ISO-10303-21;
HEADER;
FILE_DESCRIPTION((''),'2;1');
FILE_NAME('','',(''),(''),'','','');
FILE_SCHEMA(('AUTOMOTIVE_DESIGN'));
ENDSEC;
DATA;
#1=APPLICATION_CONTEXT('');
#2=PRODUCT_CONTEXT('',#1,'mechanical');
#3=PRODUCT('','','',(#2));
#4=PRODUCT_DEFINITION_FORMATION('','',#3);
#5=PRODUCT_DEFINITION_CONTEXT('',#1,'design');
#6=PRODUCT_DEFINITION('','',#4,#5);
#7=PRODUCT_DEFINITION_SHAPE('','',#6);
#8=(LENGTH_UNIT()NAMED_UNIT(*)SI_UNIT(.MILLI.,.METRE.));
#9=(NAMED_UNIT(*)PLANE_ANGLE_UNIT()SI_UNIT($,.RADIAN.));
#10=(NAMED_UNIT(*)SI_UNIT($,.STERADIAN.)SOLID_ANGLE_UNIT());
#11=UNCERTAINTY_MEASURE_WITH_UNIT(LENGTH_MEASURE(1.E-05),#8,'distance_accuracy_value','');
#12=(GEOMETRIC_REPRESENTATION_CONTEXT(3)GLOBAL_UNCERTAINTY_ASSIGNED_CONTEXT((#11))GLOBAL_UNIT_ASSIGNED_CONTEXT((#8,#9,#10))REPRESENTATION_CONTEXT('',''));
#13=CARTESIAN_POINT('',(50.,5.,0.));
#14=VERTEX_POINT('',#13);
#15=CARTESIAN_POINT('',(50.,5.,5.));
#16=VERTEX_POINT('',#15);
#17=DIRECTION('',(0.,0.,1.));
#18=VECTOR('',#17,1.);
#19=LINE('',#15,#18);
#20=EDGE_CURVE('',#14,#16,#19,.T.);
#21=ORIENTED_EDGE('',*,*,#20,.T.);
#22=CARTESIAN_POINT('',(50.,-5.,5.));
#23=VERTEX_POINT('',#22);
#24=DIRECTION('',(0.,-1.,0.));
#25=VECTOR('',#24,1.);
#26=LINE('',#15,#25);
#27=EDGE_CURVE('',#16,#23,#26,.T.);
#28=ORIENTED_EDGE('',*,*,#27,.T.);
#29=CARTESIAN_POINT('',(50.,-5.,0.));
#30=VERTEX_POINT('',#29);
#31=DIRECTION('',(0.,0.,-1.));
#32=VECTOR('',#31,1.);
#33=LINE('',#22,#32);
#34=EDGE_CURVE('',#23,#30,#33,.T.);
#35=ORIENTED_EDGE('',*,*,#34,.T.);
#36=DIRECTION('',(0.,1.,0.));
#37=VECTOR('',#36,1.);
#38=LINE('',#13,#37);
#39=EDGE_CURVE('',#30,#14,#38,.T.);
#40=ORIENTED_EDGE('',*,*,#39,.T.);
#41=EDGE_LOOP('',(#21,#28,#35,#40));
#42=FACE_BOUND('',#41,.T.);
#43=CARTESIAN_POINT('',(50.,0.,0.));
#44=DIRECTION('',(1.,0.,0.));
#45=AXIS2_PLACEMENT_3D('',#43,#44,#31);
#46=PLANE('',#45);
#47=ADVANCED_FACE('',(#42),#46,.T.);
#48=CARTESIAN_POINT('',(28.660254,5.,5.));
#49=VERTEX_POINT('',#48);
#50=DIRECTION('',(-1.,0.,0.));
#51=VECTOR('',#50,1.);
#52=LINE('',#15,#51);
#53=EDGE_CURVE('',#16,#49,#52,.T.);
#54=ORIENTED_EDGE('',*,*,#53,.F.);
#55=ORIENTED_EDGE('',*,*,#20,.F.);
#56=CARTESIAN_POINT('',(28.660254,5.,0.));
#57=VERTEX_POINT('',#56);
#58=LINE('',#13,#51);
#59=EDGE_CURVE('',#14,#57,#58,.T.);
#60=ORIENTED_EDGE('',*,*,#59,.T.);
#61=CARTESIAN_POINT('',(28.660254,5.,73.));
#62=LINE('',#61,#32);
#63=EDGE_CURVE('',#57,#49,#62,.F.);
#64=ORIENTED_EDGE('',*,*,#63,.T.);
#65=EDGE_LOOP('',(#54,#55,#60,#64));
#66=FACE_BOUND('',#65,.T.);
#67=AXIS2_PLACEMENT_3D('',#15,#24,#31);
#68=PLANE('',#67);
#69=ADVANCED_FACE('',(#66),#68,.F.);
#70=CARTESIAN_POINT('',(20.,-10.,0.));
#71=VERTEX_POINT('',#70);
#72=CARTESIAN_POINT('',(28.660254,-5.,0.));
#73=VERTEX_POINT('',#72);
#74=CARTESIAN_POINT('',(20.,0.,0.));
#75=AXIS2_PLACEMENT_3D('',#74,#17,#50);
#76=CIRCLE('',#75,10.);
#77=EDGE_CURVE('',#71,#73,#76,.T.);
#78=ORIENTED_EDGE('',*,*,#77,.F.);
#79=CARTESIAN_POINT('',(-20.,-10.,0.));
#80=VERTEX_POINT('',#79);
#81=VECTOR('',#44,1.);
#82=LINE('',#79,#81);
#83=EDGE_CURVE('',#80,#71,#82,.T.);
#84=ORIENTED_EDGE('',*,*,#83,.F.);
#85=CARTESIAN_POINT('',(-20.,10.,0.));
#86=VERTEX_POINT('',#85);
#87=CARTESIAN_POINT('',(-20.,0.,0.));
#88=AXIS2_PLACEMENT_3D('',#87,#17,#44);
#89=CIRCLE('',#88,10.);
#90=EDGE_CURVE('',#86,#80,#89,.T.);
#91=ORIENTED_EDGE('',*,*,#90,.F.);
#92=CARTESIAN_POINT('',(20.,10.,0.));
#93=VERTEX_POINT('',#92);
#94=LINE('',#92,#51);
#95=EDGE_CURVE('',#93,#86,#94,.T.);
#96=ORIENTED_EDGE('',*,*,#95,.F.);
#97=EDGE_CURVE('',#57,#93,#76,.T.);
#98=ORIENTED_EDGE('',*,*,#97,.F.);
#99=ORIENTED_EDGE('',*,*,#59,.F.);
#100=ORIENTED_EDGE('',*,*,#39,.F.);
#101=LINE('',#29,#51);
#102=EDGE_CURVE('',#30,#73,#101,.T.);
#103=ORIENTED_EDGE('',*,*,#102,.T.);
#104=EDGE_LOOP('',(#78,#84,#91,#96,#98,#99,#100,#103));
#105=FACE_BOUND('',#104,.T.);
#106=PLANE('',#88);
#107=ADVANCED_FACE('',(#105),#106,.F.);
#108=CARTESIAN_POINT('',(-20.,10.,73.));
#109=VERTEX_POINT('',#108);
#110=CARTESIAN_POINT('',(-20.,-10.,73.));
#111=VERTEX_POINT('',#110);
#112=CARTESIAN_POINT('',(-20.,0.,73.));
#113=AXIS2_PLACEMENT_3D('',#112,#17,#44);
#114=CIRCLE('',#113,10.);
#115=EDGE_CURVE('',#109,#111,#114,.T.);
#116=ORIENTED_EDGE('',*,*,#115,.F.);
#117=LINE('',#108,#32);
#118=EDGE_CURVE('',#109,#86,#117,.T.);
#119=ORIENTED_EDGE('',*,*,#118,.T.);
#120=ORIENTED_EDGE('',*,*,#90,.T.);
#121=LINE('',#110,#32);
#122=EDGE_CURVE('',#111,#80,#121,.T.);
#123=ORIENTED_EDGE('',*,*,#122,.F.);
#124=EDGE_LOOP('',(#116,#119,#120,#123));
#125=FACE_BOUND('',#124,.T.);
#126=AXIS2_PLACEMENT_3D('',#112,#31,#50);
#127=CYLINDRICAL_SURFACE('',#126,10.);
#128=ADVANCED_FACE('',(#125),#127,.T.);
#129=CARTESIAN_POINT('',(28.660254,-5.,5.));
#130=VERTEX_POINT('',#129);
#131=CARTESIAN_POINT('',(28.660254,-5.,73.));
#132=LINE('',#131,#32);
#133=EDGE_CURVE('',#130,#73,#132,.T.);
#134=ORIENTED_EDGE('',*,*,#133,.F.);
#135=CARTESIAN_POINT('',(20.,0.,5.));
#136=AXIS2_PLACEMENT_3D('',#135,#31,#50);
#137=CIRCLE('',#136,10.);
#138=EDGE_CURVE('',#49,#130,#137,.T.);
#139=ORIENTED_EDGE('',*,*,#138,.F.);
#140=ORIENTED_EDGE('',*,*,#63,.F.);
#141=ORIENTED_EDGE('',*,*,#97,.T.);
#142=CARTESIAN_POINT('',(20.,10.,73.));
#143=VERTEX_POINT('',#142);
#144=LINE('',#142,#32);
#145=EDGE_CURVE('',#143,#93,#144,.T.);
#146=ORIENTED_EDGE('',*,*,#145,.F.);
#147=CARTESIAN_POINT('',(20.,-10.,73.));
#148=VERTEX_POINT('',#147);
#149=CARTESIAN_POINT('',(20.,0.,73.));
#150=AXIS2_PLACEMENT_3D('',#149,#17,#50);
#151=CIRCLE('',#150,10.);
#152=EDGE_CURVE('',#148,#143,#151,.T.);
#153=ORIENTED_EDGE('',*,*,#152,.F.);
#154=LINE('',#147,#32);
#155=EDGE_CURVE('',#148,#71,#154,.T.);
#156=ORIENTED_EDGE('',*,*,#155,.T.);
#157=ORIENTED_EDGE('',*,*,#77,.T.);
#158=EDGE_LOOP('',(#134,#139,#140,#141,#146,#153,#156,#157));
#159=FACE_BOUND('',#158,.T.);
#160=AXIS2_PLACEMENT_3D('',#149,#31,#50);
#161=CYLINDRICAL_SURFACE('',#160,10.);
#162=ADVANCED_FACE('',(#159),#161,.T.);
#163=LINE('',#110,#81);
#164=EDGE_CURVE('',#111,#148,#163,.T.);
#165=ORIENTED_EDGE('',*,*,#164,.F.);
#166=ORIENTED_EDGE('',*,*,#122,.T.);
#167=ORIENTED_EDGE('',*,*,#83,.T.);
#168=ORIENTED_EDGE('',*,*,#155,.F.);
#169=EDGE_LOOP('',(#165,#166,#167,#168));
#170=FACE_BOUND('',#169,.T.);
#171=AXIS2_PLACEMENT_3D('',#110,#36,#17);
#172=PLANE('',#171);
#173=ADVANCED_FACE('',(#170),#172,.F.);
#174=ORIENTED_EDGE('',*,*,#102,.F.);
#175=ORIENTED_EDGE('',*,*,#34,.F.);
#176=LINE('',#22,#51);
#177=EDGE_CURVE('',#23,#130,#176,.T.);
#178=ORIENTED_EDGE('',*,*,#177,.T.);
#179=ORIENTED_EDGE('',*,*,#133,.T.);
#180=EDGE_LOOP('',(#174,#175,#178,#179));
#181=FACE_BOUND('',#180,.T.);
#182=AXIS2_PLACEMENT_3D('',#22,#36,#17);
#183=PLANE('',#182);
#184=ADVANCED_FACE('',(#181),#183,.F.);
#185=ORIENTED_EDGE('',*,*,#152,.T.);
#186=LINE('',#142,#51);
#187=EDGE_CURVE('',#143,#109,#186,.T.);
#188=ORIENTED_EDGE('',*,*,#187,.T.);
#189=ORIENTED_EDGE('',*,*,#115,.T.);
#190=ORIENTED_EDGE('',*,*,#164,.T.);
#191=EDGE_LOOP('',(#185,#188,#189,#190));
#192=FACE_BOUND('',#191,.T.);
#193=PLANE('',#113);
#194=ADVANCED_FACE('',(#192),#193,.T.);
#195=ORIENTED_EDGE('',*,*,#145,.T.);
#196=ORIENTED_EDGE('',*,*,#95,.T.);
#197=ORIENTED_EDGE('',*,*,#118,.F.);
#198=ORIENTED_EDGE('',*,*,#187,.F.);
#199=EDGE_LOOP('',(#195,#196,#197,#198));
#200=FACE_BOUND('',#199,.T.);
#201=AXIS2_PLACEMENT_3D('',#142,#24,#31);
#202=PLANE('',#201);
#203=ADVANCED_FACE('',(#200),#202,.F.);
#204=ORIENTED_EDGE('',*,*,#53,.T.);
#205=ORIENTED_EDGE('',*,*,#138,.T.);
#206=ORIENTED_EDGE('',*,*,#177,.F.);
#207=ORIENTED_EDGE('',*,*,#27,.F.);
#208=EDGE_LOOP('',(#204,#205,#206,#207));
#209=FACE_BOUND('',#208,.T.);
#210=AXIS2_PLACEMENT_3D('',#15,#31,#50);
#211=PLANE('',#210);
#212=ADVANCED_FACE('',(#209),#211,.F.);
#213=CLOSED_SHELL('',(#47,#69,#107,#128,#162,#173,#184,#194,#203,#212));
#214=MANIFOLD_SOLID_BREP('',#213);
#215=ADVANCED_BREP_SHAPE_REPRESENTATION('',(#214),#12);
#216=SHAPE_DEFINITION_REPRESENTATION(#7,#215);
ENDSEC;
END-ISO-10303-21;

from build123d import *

# Parameters (mm, degrees)
BOSS_EXTRUDE1_DEPTH = 73
SKETCH2_W           = 5
SKETCH2_H           = 10
BOSS_EXTRUDE2_DEPTH = 50


with BuildPart() as part:
    # Sketch1 → Boss-Extrude1 (new body)
    with BuildSketch(Plane.XY):
        with BuildLine():
            Line((-20, -10), (20, -10))
            ThreePointArc((20, -10), (30, 0), (20, 10))
            Line((20, 10), (-20, 10))
            ThreePointArc((-20, 10), (-30, 0), (-20, -10))
        make_face()
    extrude(amount=BOSS_EXTRUDE1_DEPTH)

    # Sketch2 → Boss-Extrude2 (add)
    with BuildSketch(Plane(origin=(0, 0, 0), x_dir=(0, 0, -1), z_dir=(1, 0, 0))):
        with Locations((-2.5, 0)):
            Rectangle(SKETCH2_W, SKETCH2_H)
    extrude(amount=BOSS_EXTRUDE2_DEPTH)


solid = part.part
